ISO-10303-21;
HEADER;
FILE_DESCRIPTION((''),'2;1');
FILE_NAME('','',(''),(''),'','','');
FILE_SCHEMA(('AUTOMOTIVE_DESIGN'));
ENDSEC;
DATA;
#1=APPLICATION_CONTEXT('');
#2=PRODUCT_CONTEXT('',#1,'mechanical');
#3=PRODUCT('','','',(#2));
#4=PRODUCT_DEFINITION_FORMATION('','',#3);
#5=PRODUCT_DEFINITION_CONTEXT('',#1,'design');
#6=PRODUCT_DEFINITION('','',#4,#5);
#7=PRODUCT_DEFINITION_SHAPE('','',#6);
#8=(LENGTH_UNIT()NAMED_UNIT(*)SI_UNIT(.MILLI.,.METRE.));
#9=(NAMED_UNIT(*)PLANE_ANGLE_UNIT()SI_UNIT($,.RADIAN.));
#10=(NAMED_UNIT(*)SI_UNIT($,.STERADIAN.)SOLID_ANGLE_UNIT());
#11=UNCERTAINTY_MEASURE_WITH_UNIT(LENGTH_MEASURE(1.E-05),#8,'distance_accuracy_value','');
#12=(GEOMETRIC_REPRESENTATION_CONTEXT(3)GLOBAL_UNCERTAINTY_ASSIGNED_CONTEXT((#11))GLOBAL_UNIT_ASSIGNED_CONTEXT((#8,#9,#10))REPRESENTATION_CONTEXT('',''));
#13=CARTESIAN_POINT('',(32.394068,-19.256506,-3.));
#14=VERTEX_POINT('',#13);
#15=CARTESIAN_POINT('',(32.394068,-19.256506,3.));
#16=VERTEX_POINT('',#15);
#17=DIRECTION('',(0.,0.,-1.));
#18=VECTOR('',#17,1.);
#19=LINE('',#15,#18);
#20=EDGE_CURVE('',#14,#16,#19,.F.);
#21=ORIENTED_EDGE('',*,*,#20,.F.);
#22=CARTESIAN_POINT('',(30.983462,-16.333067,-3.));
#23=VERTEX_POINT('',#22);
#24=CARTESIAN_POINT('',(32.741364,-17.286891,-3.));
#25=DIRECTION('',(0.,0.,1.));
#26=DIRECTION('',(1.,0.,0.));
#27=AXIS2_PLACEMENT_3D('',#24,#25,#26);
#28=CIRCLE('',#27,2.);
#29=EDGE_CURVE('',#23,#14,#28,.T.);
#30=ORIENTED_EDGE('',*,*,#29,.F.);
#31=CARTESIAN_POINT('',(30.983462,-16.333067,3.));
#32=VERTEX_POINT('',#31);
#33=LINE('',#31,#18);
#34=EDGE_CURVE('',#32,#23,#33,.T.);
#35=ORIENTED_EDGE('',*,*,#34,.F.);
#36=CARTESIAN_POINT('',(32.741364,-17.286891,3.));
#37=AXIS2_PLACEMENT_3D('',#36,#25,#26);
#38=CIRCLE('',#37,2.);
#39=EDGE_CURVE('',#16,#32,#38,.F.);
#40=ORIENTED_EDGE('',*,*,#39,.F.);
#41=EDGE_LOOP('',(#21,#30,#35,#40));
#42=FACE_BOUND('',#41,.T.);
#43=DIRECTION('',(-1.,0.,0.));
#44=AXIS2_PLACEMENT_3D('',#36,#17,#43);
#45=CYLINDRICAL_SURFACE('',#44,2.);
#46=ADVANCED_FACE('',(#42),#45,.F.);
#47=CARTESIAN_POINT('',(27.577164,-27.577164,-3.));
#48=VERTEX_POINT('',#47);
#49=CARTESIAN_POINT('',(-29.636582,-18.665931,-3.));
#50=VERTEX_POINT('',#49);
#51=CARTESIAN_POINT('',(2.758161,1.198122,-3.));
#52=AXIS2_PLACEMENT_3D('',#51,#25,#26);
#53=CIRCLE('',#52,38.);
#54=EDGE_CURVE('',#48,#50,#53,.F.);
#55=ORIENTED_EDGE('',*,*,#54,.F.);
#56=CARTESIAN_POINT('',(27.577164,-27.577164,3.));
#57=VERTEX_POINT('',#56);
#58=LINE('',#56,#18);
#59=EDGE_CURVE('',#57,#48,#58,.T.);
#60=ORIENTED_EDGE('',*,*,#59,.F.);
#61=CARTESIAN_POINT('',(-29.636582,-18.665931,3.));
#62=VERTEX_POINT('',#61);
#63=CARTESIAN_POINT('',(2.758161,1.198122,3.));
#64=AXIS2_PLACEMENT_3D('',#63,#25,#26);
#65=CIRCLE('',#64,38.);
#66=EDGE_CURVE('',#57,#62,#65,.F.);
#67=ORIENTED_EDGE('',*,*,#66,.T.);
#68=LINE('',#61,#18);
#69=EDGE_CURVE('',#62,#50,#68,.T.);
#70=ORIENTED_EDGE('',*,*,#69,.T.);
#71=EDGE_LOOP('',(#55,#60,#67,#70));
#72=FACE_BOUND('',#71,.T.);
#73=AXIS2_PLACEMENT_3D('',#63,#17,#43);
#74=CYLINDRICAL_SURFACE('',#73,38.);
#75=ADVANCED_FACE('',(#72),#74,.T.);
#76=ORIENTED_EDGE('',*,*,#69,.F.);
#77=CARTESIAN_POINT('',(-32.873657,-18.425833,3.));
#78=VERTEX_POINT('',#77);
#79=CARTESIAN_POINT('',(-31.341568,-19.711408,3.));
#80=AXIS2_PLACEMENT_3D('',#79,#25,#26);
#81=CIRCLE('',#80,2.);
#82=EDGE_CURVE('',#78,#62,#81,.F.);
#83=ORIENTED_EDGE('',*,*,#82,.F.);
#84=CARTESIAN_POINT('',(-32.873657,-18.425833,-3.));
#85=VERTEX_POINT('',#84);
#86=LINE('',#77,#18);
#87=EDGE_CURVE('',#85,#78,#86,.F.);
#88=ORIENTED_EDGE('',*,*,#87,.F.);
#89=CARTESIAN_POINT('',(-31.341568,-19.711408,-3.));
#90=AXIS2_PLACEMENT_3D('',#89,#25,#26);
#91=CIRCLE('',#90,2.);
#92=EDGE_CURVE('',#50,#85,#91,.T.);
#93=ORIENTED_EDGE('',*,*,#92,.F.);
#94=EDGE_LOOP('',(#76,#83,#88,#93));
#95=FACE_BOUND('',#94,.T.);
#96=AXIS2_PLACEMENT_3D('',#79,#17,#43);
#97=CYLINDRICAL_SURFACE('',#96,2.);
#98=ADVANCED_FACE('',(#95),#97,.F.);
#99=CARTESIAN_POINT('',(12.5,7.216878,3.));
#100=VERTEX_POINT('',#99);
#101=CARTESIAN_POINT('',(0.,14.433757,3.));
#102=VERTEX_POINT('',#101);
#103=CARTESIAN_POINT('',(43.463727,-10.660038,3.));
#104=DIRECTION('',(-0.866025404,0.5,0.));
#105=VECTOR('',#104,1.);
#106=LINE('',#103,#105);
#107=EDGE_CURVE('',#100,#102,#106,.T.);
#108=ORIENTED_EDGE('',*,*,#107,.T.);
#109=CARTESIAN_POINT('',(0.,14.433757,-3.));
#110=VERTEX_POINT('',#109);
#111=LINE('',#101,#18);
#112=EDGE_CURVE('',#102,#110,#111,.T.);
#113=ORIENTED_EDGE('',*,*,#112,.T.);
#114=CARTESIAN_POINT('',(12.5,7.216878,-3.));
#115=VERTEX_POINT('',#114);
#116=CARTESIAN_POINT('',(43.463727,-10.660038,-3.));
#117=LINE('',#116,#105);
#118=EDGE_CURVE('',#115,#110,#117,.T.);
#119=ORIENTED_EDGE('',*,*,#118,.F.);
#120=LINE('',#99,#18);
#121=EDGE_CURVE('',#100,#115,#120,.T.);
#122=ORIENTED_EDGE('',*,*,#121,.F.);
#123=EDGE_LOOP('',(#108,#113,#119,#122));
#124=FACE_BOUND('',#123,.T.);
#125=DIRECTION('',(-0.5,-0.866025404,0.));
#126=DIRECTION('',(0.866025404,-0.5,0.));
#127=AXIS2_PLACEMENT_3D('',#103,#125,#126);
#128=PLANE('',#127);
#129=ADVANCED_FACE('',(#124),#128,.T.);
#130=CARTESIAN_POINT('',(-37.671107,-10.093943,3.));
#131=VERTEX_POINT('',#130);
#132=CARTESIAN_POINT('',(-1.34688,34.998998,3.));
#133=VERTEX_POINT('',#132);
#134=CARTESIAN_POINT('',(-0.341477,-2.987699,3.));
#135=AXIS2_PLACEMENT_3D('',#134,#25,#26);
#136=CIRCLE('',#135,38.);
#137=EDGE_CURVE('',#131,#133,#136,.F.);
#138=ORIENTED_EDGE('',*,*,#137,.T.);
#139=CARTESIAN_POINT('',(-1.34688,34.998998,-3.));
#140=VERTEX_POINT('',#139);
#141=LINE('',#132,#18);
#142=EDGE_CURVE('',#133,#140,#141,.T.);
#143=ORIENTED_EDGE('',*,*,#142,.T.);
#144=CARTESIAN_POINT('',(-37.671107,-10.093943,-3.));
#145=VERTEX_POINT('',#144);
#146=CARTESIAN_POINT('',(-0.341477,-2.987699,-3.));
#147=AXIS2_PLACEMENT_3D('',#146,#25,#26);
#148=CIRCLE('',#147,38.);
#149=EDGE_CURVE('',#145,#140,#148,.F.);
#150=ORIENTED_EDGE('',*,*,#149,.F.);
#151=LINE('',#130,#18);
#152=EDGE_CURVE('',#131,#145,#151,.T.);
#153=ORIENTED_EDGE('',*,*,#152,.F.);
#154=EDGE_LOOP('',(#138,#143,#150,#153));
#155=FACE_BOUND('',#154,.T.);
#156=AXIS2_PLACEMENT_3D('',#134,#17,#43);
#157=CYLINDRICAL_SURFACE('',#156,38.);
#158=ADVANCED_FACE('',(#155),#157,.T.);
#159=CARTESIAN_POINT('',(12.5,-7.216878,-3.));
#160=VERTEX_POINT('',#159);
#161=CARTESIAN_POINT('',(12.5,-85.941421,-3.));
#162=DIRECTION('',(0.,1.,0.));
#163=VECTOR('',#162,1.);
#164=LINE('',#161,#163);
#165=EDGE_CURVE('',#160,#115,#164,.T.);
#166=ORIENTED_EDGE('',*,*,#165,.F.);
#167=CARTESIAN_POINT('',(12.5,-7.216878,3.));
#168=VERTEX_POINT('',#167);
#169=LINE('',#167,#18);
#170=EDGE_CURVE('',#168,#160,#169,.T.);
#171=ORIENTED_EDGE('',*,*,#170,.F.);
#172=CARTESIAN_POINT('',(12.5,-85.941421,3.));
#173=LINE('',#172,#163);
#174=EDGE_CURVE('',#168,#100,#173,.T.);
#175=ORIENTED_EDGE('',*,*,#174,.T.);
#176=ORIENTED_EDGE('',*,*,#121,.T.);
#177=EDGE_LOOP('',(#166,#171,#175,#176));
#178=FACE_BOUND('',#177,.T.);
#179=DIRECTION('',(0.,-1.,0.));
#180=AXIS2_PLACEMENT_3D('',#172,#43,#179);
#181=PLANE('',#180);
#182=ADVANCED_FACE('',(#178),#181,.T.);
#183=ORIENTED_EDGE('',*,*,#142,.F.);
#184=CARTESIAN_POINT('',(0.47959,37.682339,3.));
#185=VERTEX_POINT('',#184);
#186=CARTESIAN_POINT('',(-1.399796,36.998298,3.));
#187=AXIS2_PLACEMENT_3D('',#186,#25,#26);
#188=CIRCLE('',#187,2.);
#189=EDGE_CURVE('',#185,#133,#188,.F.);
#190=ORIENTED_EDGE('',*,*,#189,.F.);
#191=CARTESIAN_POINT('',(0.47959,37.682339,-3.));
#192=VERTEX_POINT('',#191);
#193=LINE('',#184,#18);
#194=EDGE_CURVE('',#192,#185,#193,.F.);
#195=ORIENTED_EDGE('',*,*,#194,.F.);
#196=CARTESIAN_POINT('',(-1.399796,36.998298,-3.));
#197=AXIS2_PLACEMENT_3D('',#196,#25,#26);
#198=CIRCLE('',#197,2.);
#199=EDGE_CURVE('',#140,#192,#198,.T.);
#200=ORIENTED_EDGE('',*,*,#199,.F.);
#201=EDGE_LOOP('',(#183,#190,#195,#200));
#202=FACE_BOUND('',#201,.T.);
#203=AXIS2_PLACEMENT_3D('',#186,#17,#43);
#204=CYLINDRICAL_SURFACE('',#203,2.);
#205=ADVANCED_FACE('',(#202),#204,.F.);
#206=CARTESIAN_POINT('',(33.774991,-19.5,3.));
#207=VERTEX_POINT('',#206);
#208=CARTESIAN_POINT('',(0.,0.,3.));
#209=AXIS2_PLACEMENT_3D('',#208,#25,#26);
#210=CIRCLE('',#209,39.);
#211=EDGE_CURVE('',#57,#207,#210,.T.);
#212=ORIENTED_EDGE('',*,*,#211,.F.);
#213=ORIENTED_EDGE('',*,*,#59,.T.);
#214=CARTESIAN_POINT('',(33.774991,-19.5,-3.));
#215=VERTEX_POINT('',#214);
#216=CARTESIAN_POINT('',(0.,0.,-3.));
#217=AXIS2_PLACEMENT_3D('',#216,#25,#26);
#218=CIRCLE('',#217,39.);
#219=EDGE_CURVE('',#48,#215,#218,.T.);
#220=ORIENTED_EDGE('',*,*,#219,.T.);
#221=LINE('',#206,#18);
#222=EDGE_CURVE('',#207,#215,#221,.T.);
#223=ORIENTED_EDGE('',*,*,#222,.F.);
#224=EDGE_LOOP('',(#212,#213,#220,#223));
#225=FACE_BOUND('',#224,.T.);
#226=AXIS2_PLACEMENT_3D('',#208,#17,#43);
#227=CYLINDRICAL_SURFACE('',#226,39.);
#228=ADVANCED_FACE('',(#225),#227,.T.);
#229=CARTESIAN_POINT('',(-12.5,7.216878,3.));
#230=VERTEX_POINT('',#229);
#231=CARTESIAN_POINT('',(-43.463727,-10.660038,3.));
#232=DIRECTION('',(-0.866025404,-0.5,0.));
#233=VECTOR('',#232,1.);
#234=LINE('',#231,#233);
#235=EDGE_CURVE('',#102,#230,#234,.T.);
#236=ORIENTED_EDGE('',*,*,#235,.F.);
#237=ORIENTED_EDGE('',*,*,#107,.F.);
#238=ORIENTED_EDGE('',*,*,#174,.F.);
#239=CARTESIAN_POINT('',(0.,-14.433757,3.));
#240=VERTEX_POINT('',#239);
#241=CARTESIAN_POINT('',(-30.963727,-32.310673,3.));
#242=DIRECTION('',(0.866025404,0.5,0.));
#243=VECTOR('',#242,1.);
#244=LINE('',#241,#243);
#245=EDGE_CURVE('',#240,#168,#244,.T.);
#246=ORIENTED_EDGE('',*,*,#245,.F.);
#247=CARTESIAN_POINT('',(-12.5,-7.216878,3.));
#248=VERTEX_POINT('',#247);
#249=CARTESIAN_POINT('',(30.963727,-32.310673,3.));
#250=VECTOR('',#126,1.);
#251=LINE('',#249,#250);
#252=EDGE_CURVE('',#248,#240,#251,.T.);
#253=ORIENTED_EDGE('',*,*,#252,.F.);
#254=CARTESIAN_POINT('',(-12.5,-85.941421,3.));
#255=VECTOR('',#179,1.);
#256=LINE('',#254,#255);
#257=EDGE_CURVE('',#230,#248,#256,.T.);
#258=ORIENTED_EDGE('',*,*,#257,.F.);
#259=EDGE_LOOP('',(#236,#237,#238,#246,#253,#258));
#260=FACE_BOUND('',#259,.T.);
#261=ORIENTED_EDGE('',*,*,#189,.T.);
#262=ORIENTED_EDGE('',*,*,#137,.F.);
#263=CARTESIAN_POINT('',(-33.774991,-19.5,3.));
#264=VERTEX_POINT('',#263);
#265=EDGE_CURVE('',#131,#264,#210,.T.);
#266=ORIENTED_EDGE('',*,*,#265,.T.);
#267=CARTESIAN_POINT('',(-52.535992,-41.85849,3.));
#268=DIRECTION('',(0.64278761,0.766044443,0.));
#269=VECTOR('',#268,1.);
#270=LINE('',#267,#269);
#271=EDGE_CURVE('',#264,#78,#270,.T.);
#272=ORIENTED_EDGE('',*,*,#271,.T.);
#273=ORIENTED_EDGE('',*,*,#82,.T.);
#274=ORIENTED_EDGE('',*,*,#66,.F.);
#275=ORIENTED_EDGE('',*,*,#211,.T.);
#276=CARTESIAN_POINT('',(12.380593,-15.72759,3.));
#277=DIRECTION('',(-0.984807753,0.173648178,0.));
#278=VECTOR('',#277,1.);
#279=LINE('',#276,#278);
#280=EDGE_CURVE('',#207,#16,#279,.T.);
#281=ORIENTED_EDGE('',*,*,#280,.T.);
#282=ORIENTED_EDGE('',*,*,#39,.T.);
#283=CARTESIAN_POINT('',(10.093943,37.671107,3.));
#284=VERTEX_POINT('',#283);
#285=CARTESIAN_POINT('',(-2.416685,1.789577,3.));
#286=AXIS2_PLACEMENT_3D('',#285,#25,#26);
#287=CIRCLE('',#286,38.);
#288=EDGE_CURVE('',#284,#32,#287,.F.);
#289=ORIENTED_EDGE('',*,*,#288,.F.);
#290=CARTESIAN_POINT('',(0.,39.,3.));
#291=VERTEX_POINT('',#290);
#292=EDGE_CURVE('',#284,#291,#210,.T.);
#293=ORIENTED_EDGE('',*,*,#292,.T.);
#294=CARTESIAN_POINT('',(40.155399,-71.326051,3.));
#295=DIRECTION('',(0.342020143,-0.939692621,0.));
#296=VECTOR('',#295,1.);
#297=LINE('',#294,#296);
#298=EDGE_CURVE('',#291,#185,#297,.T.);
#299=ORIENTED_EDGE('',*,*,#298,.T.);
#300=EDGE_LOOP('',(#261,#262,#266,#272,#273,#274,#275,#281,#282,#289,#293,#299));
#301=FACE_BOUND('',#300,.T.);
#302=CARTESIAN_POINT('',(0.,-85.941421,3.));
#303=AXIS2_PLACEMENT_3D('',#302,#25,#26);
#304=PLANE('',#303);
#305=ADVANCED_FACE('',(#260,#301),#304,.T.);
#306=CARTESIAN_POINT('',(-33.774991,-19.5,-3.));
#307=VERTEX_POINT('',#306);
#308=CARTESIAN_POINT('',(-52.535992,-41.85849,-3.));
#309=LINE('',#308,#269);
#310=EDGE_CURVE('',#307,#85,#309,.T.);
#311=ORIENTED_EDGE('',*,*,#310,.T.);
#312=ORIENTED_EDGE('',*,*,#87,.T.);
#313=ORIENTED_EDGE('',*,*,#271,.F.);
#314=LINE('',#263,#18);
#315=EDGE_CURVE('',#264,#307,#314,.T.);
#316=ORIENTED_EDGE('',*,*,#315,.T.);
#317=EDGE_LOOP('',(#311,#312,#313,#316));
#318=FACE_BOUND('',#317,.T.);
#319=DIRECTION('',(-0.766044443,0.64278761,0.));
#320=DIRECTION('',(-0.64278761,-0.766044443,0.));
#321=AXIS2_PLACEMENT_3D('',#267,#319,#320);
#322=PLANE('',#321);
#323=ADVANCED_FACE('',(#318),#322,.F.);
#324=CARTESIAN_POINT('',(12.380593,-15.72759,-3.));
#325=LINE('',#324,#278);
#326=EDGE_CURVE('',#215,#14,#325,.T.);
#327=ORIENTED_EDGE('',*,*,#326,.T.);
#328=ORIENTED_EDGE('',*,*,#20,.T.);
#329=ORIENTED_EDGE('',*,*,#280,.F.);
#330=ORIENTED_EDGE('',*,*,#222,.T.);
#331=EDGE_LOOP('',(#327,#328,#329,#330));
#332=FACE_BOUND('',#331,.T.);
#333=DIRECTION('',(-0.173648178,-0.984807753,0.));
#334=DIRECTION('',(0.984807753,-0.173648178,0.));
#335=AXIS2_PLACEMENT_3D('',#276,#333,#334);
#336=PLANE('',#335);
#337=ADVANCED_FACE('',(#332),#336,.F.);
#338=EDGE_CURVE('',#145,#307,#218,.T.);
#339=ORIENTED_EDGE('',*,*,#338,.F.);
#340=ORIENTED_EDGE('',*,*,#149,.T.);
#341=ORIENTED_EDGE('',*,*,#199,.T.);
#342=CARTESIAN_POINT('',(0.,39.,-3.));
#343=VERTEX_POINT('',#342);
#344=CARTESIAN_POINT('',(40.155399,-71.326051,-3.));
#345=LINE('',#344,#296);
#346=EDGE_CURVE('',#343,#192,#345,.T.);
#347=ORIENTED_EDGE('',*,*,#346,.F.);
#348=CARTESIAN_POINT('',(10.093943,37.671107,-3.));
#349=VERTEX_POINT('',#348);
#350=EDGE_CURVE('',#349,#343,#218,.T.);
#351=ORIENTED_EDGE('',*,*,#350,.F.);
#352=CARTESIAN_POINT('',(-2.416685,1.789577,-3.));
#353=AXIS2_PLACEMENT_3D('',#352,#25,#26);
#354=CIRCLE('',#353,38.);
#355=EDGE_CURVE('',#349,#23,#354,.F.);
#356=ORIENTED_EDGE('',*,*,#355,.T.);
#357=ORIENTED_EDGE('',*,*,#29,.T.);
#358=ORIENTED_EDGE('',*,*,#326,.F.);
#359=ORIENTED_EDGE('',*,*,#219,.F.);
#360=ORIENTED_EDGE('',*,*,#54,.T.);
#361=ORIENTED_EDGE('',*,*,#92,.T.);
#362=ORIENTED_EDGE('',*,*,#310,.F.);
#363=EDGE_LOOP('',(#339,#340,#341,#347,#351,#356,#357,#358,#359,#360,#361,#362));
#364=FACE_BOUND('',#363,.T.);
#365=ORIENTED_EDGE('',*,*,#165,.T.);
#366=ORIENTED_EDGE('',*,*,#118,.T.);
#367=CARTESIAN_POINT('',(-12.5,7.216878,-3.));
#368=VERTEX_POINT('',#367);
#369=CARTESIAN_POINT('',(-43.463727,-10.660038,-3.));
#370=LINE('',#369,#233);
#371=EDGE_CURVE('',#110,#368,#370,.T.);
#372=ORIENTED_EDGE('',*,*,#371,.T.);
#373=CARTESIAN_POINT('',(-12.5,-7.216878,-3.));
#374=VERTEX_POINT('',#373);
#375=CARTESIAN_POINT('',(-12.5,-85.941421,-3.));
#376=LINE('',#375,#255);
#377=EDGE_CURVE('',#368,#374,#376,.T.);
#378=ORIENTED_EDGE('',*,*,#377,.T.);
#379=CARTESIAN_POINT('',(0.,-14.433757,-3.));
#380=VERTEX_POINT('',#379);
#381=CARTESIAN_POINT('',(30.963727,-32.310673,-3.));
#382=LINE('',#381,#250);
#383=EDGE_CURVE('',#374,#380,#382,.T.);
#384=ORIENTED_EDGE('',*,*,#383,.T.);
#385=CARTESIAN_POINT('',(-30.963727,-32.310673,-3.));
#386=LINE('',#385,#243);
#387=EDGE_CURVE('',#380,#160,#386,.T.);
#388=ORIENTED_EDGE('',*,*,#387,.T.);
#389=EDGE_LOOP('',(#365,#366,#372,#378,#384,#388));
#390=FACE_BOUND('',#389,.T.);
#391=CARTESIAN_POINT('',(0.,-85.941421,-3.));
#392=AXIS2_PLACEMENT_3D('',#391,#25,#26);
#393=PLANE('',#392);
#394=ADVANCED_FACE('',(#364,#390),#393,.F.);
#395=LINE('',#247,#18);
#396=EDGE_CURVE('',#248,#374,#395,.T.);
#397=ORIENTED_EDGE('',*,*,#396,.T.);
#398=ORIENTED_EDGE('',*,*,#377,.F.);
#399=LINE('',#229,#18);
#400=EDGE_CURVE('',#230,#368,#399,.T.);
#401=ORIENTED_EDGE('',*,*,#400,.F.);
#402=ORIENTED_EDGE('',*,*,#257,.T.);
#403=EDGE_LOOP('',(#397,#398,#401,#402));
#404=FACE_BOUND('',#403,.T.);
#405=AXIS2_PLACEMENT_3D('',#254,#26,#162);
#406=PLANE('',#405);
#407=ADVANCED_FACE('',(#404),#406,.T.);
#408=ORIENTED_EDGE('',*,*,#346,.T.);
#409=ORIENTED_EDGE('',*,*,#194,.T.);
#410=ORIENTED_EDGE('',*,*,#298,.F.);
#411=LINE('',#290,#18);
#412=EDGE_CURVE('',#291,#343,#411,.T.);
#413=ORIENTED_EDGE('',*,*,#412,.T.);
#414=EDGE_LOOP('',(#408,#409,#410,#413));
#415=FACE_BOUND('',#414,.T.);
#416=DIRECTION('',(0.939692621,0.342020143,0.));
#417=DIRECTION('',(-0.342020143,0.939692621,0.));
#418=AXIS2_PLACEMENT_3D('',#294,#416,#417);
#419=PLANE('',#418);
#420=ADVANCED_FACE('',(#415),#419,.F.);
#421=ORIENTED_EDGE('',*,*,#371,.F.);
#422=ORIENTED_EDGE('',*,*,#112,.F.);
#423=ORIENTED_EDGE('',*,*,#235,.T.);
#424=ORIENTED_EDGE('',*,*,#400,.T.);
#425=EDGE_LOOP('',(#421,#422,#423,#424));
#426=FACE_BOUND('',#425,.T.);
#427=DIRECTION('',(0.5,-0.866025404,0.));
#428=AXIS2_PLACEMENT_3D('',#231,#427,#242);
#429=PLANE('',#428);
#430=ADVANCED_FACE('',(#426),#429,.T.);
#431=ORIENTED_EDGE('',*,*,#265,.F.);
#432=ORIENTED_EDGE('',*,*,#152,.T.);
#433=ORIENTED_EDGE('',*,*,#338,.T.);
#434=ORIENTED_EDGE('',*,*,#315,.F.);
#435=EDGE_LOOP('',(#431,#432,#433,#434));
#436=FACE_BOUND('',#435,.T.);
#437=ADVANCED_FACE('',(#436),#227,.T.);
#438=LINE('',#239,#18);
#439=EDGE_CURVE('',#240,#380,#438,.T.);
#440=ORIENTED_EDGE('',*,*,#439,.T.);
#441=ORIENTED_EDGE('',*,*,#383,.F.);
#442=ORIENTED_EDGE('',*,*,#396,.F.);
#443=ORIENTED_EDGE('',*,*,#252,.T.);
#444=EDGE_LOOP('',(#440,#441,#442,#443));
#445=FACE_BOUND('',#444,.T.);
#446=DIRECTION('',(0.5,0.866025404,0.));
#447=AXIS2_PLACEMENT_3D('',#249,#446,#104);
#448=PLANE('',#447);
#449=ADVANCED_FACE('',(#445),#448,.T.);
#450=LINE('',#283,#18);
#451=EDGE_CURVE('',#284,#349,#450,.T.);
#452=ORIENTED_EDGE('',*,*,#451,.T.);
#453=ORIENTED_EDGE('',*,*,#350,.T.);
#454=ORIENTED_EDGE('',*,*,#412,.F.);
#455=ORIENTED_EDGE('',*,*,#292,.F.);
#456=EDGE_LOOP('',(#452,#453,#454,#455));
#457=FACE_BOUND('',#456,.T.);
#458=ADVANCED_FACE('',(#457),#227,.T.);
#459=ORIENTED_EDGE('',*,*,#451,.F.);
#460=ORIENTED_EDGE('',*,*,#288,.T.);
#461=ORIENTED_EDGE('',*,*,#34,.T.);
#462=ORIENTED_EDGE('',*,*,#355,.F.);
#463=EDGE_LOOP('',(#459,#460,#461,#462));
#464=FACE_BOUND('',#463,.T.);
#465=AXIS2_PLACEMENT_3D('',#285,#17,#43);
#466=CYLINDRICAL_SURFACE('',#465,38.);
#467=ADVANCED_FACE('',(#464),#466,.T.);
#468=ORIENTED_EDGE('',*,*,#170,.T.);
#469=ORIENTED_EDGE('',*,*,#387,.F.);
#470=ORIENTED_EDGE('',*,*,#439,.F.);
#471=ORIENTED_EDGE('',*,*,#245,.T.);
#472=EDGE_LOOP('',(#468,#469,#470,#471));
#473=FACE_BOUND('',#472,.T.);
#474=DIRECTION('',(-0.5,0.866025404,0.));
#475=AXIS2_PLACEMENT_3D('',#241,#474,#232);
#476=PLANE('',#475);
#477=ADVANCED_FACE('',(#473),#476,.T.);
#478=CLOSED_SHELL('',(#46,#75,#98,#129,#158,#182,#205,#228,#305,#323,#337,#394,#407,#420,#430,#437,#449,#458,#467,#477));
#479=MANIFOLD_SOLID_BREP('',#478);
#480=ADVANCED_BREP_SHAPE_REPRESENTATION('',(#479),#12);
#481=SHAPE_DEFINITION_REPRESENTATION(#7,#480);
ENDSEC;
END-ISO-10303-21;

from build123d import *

# Parameters (mm, degrees)
BOSS_EXTRUDE1_DEPTH = 3
FILLET1_R           = 2


with BuildPart() as part:
    # Sketch1 → Boss-Extrude1 (new, symmetric)
    with BuildSketch(Plane.XY):
        with BuildLine():
            ThreePointArc((10.093942759, 37.671107225), (5.090521497, 38.666349594), (0, 39))
            Line((0, 39), (1.467076979, 34.969239127))
            ThreePointArc((1.467076979, 34.969239127), (-29.031358559, 21.929979589), (-37.671107225, -10.093942759))
            ThreePointArc((-37.671107225, -10.093942759), (-36.031301768, -14.924653862), (-33.774990748, -19.5))
            Line((-33.774990748, -19.5), (-31.017787925, -16.21409363))
            ThreePointArc((-31.017787925, -16.21409363), (-4.476240149, -36.106883814), (27.577164466, -27.577164466))
            ThreePointArc((27.577164466, -27.577164466), (30.940780271, -23.741695731), (33.774990748, -19.5))
            Line((33.774990748, -19.5), (29.550710946, -18.755145497))
            ThreePointArc((29.550710946, -18.755145497), (33.507598709, 14.176904224), (10.093942759, 37.671107225))
        make_face()
        Polygon((-12.5, 7.216878365), (0, 14.43375673), (12.5, 7.216878365), (12.5, -7.216878365), (0, -14.43375673), (-12.5, -7.216878365), align=None, mode=Mode.SUBTRACT)
    extrude(amount=BOSS_EXTRUDE1_DEPTH, both=True)

    # Fillet1
    fillet1_edges = [part.edges().sort_by_distance(p)[0] for p in [
        (1.467076979, 34.969239127, 0),
        (29.550710946, -18.755145497, 0),
        (-31.017787925, -16.21409363, 0),
    ]]
    fillet(fillet1_edges, radius=FILLET1_R)


solid = part.part
